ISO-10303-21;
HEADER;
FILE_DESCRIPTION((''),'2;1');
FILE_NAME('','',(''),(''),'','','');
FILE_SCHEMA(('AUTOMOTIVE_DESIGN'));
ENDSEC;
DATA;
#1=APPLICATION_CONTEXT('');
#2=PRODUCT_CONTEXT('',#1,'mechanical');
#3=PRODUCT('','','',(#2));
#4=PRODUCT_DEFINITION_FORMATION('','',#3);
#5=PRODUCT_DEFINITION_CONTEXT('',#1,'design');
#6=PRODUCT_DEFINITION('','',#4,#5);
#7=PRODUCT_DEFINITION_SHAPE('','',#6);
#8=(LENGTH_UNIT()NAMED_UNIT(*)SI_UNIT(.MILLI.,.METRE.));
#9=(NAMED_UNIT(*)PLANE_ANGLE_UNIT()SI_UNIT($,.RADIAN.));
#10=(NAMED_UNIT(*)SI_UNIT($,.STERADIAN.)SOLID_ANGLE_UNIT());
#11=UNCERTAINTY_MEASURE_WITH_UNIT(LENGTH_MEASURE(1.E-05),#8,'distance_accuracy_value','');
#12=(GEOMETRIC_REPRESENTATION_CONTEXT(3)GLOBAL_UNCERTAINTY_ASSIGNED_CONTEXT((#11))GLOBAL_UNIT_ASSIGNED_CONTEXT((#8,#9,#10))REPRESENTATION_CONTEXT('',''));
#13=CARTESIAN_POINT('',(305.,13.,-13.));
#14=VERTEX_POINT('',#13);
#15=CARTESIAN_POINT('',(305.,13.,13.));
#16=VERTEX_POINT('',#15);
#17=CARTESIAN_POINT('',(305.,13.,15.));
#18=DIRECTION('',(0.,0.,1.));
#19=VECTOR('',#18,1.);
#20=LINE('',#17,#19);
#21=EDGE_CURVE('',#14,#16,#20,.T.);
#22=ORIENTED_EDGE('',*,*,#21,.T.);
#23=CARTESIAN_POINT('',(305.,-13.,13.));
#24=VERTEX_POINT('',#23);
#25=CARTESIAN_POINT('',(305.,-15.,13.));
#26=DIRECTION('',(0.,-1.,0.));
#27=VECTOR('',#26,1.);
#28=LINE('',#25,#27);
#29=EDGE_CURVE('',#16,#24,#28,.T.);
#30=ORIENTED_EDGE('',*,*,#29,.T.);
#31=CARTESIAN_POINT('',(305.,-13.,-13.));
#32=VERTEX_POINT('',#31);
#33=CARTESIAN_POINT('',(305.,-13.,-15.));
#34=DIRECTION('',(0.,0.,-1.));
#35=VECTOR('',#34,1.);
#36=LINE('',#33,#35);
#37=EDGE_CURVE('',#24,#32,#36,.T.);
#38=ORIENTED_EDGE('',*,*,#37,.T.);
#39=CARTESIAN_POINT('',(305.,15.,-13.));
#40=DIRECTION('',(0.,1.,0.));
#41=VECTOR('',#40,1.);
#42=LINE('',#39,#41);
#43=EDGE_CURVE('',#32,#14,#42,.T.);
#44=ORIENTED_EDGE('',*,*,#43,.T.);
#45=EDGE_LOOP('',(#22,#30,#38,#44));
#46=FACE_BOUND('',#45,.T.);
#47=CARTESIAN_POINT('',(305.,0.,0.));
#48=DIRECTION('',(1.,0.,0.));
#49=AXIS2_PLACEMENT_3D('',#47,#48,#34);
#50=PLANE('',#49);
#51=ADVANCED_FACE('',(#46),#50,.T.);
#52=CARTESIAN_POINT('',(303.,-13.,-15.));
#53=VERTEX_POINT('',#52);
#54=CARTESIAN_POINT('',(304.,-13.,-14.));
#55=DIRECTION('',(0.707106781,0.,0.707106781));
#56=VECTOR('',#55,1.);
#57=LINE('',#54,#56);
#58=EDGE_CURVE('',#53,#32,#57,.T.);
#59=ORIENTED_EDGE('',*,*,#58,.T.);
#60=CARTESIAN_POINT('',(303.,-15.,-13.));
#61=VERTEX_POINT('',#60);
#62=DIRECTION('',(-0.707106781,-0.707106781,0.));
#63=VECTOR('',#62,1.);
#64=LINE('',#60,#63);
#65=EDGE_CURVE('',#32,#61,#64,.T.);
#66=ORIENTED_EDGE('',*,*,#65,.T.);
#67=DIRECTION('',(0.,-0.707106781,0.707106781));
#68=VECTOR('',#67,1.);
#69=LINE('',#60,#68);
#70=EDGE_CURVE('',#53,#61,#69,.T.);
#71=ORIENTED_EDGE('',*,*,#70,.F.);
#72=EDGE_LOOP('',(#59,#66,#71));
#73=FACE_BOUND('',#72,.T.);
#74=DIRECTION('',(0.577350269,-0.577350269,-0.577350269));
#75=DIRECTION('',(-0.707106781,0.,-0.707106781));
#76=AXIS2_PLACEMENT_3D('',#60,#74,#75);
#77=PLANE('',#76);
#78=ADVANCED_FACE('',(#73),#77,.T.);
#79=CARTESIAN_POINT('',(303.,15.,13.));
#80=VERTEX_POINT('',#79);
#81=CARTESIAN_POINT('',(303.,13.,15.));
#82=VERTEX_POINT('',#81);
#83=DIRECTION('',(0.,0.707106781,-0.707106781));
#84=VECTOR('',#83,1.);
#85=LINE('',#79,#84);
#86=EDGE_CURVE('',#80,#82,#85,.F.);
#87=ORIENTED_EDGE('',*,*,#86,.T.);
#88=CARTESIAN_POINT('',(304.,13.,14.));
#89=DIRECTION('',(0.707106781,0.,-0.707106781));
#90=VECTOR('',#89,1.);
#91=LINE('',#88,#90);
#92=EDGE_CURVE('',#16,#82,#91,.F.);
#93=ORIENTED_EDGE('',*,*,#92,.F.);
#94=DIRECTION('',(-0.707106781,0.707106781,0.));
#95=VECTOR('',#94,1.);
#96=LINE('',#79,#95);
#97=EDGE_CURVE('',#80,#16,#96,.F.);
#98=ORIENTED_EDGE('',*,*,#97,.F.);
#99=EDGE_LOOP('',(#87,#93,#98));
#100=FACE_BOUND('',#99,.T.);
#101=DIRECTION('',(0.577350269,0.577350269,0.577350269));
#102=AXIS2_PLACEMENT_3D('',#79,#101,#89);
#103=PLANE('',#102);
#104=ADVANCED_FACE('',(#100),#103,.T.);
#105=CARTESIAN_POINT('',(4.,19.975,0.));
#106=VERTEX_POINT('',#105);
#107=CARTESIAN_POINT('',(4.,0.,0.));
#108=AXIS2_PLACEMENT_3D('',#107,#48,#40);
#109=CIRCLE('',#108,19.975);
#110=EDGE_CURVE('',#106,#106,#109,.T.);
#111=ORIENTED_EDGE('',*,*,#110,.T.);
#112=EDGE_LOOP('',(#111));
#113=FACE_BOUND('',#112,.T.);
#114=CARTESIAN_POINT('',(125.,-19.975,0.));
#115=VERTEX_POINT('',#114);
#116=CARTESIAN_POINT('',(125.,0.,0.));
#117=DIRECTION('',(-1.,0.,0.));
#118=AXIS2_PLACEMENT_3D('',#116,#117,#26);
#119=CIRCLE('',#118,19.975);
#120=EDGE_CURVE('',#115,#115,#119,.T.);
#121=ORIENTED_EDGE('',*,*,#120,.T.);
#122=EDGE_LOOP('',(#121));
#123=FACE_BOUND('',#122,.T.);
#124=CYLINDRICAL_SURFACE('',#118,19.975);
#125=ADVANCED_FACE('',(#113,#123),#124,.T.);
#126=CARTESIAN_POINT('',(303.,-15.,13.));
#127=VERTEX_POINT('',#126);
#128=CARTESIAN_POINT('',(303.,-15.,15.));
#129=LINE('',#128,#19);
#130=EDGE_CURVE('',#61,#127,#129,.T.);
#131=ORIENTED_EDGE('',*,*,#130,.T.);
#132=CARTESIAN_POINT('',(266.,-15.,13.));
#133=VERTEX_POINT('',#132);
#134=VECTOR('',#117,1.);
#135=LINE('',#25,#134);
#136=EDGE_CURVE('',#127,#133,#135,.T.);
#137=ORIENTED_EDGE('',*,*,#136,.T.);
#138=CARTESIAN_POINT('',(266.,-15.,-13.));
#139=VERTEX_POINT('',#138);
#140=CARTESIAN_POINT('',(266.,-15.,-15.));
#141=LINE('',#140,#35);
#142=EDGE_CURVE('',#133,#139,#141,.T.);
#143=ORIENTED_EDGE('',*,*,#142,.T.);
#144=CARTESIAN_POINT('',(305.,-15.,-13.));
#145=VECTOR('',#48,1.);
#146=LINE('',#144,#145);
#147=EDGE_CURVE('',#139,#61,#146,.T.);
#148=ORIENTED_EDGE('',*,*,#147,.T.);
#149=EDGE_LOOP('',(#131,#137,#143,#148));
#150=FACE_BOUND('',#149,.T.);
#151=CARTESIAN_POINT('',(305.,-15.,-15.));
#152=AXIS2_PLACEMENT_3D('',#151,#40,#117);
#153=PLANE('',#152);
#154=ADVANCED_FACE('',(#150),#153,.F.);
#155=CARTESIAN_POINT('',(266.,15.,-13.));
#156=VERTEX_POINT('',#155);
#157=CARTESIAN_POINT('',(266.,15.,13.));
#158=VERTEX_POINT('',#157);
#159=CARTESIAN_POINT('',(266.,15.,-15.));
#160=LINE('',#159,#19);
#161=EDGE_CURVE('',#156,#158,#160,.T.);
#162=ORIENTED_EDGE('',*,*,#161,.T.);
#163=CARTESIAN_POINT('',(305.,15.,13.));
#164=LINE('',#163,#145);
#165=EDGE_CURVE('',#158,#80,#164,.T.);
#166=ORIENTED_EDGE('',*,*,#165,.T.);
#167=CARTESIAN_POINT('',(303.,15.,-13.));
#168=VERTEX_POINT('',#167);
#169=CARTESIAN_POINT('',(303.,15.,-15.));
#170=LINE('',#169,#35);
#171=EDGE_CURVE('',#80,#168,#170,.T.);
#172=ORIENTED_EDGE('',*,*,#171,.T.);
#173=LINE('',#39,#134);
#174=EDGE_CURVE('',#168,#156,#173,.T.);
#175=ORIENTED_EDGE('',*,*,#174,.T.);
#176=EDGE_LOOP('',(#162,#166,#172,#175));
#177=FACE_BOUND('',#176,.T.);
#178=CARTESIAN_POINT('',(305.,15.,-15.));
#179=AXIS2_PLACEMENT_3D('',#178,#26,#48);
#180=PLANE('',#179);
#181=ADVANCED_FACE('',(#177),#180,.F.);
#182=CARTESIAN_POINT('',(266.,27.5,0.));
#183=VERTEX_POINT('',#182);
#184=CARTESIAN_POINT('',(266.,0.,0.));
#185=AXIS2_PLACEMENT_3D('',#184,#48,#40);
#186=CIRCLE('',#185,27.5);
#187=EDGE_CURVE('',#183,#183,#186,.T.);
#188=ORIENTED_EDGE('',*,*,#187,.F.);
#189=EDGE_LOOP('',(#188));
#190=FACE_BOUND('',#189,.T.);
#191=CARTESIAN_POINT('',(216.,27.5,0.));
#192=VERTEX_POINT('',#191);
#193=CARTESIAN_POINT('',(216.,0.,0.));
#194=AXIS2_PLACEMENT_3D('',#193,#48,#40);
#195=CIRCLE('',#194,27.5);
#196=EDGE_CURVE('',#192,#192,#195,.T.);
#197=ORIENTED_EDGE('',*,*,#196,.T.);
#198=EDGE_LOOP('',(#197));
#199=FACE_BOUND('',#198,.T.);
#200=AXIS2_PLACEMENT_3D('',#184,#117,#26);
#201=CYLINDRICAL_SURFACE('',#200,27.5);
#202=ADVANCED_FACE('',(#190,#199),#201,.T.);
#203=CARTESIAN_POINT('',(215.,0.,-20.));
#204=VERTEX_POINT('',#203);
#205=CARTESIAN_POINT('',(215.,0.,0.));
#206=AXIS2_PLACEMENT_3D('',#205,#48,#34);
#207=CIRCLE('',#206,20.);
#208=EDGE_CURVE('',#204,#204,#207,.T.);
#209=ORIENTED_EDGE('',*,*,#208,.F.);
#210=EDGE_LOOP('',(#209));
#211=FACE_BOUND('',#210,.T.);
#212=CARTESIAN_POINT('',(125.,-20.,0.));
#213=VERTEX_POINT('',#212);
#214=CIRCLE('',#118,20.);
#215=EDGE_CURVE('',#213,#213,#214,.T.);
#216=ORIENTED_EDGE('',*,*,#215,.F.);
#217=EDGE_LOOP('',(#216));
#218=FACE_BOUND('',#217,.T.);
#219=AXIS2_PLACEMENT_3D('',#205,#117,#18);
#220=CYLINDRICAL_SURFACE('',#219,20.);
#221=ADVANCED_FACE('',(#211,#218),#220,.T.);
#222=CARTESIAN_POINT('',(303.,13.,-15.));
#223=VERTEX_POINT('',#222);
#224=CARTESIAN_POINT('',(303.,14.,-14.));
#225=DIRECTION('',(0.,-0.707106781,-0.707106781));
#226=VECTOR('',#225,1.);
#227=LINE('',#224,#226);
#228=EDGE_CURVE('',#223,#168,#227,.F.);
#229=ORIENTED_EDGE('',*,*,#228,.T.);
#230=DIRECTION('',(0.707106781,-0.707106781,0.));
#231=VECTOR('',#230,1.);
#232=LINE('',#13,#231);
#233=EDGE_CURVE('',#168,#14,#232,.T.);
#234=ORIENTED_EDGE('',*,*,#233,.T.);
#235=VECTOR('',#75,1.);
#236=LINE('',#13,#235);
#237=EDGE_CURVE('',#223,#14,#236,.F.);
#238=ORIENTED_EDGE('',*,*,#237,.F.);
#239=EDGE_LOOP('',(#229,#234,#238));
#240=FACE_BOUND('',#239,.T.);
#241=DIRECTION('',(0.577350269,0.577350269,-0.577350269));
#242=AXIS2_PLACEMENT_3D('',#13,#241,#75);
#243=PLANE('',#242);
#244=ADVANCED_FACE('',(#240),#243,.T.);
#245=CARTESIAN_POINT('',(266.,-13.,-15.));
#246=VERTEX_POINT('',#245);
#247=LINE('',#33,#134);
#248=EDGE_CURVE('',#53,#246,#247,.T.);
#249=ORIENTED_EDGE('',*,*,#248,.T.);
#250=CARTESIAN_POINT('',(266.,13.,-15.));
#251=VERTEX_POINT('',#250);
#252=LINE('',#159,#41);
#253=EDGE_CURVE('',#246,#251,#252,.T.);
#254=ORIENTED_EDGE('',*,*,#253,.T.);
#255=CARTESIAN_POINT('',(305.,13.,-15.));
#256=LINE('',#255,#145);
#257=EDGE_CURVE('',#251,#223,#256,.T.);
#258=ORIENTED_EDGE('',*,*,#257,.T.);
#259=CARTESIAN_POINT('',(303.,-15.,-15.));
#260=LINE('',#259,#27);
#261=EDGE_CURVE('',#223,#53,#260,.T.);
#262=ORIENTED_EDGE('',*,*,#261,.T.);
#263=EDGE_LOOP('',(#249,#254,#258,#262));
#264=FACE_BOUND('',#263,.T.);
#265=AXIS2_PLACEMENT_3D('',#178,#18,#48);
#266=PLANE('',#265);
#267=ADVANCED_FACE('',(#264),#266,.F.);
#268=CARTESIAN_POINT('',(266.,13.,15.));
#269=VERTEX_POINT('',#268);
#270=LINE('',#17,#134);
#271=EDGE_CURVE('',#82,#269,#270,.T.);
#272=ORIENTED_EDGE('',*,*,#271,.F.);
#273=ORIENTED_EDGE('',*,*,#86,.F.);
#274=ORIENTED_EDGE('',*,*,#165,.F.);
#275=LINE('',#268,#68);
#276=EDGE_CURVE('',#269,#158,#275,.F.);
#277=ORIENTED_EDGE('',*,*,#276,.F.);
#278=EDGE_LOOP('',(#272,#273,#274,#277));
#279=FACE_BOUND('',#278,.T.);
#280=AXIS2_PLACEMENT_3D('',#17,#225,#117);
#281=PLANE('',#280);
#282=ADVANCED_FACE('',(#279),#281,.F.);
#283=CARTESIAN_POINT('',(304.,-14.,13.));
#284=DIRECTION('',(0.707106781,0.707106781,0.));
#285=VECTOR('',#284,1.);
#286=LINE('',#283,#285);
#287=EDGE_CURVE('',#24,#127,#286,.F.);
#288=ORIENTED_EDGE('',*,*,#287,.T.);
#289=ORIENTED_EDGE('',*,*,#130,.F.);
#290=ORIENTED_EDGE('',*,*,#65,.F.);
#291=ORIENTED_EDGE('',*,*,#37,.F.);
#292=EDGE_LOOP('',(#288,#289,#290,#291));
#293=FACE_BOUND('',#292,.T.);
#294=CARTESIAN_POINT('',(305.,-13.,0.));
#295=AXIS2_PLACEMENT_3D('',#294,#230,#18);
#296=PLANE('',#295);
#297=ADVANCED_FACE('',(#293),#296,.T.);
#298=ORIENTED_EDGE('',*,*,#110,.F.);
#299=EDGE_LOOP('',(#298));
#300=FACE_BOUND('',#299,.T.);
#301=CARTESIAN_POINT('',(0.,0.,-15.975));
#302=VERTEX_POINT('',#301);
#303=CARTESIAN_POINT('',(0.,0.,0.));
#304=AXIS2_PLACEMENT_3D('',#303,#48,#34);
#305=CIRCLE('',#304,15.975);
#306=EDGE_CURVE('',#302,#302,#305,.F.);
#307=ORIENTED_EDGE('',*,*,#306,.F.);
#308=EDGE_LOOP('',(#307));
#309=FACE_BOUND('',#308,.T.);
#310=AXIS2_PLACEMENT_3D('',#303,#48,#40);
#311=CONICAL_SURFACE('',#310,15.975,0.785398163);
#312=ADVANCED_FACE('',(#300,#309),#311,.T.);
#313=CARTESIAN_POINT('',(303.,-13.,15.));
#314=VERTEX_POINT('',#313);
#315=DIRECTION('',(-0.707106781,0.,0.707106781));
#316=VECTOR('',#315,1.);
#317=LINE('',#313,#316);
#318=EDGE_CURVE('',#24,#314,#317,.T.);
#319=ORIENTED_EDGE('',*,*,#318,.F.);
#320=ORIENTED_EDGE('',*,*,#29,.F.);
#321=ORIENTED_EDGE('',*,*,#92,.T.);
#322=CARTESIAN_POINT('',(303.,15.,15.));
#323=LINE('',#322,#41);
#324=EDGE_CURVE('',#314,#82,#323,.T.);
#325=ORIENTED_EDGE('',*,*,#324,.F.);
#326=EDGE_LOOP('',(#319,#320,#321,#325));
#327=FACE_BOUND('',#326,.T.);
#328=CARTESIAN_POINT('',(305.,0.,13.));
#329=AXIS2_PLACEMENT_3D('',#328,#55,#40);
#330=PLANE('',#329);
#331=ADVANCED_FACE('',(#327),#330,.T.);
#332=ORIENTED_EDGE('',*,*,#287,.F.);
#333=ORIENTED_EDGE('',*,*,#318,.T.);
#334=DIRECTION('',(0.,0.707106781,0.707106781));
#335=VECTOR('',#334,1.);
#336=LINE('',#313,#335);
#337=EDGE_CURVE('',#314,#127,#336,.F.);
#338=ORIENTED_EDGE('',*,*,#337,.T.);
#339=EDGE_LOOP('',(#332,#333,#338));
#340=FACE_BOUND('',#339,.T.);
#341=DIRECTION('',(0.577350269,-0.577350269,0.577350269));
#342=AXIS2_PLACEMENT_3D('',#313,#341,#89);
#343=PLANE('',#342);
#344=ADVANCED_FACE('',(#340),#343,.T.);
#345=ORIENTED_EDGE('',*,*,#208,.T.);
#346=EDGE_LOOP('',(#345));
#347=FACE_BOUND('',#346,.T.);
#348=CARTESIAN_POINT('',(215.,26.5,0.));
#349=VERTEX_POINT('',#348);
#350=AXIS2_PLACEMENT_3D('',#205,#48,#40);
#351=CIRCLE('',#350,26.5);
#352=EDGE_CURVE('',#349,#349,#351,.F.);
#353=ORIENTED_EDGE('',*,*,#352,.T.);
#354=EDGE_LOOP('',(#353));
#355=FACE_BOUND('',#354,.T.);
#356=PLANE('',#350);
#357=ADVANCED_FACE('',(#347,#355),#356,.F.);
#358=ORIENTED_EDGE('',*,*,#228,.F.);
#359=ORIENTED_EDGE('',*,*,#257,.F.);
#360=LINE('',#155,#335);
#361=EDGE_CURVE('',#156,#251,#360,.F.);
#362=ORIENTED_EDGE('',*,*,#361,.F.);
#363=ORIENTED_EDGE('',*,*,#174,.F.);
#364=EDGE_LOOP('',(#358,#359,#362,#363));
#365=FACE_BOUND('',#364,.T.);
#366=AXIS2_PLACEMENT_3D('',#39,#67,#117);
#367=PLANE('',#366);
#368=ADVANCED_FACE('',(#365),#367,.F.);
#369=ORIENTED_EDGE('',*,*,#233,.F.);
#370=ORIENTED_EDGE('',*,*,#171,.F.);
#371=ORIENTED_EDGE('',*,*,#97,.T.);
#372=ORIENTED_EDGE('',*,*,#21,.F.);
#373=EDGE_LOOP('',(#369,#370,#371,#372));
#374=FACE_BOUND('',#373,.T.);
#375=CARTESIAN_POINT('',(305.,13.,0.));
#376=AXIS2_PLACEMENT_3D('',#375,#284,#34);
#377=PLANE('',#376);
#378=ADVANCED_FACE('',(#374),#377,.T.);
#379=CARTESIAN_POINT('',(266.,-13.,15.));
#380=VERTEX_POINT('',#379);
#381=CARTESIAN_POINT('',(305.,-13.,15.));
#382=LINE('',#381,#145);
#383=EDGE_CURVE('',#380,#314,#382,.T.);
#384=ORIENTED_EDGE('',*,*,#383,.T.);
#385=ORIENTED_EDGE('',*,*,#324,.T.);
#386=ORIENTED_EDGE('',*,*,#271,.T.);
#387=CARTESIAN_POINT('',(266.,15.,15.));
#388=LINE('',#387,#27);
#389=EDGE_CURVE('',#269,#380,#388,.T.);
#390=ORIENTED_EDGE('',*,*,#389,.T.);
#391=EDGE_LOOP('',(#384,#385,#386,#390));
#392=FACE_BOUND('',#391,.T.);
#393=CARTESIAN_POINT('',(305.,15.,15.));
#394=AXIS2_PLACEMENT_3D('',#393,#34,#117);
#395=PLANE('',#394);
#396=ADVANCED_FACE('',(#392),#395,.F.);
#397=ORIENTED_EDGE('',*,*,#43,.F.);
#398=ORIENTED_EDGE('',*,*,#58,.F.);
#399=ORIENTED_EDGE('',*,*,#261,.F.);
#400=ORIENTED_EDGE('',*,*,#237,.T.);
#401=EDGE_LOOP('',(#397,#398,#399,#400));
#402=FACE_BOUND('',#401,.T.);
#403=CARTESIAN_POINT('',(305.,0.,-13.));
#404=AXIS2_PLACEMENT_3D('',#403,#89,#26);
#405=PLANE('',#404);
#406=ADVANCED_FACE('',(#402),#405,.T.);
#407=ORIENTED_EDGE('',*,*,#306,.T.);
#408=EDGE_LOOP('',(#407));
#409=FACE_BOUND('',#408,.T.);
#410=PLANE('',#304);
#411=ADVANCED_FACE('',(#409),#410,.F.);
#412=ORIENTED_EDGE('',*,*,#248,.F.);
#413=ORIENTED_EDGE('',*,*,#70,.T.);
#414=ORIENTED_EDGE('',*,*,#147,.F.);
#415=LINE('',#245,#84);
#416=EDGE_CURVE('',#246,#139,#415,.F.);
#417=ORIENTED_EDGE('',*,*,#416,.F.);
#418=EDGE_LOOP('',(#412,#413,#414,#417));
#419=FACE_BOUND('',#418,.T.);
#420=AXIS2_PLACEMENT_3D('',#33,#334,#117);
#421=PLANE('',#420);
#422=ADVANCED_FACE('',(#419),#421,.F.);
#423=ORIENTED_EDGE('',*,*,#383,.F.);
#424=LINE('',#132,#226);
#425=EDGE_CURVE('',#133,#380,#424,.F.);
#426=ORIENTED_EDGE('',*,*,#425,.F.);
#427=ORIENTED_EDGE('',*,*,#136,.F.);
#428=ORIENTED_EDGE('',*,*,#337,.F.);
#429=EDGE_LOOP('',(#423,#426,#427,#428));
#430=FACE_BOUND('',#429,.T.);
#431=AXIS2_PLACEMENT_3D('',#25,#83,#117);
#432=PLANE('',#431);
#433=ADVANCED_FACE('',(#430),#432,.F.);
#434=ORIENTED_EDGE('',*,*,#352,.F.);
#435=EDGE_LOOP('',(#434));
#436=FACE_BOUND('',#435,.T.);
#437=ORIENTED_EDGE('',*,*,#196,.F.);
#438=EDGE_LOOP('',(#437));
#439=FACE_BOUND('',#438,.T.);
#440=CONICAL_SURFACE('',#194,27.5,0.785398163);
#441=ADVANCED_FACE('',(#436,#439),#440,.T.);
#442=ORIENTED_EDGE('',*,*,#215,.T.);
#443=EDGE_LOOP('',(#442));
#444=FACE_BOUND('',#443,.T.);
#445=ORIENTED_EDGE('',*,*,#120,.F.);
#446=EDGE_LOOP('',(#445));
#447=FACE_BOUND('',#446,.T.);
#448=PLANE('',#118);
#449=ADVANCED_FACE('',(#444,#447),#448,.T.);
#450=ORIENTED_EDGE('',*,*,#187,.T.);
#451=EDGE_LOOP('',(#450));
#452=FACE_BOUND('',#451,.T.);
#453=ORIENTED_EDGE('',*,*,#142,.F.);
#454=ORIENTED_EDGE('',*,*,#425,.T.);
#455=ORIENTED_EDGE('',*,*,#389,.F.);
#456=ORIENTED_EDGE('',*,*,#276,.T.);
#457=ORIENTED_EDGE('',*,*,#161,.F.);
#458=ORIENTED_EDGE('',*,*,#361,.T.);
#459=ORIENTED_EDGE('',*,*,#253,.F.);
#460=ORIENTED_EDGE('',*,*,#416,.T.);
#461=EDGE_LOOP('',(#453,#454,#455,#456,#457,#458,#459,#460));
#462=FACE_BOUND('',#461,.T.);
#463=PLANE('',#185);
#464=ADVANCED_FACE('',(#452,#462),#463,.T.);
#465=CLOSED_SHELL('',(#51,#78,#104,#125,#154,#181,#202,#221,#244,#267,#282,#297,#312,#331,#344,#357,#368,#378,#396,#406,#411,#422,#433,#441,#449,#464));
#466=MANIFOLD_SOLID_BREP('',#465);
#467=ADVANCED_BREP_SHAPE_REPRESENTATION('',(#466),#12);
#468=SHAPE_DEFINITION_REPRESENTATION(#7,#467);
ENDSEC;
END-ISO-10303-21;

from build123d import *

# Parameters (mm, degrees)
SKETCH_1_R          = 20
EXTRUDE_1_DEPTH     = 215
SKETCH_2_R          = 27.5
EXTRUDE_2_DEPTH     = 51
SKETCH_3_W          = 30
SKETCH_3_H          = 30
EXTRUDE_3_DEPTH     = 39
CHAMFER_2_SIZE      = 1
CHAMFER_3_SIZE      = 2
SKETCH_4_R          = 20
SKETCH_4_R_2        = 19.975
CUT_EXTRUDE_1_DEPTH = 125
CHAMFER_4_SIZE      = 4


with BuildPart() as part:
    # 草图1 → 凸台-拉伸1 (new body)
    with BuildSketch(Plane(origin=(0, 0, 0), x_dir=(0, -1, 0), z_dir=(1, 0, 0))):
        with Locations(Location((0, 0, 0), (0, 0, 90))):
            Circle(SKETCH_1_R)
    extrude(amount=EXTRUDE_1_DEPTH)

    # 草图2 → 凸台-拉伸2 (add)
    with BuildSketch(Plane(origin=(215, 0, 0), x_dir=(0, -1, 0), z_dir=(1, 0, 0))):
        with Locations(Location((0, 0, 0), (0, 0, 180))):
            Circle(SKETCH_2_R)
    extrude(amount=EXTRUDE_2_DEPTH)

    # 草图3 → 凸台-拉伸3 (add)
    with BuildSketch(Plane(origin=(266, 0, 0), x_dir=(0, -1, 0), z_dir=(1, 0, 0))):
        Rectangle(SKETCH_3_W, SKETCH_3_H)
    extrude(amount=EXTRUDE_3_DEPTH)

    # 倒角2
    chamfer_2_edges = [part.edges().sort_by_distance(p)[0] for p in [
        (215, -27.5, 0),
    ]]
    chamfer(chamfer_2_edges, length=CHAMFER_2_SIZE)

    # 倒角3
    chamfer_3_edges = [part.edges().sort_by_distance(p)[0] for p in [
        (285.5, 15, -15),
        (285.5, 15, 15),
        (285.5, -15, 15),
        (285.5, -15, -15),
        (305, 15, 0),
        (305, 0, 15),
        (305, -15, 0),
        (305, 0, -15),
    ]]
    chamfer(chamfer_3_edges, length=CHAMFER_3_SIZE)

    # 草图4 → 切除-拉伸1 (cut)
    with BuildSketch(Plane(origin=(0, 0, 0), x_dir=(0, -1, 0), z_dir=(-1, 0, 0))):
        Circle(SKETCH_4_R)
        Circle(SKETCH_4_R_2, mode=Mode.SUBTRACT)
    extrude(amount=-CUT_EXTRUDE_1_DEPTH, mode=Mode.SUBTRACT)

    # 倒角4
    chamfer_4_edges = [part.edges().sort_by_distance(p)[0] for p in [
        (0, 19.975, 0),
    ]]
    chamfer(chamfer_4_edges, length=CHAMFER_4_SIZE)


solid = part.part
